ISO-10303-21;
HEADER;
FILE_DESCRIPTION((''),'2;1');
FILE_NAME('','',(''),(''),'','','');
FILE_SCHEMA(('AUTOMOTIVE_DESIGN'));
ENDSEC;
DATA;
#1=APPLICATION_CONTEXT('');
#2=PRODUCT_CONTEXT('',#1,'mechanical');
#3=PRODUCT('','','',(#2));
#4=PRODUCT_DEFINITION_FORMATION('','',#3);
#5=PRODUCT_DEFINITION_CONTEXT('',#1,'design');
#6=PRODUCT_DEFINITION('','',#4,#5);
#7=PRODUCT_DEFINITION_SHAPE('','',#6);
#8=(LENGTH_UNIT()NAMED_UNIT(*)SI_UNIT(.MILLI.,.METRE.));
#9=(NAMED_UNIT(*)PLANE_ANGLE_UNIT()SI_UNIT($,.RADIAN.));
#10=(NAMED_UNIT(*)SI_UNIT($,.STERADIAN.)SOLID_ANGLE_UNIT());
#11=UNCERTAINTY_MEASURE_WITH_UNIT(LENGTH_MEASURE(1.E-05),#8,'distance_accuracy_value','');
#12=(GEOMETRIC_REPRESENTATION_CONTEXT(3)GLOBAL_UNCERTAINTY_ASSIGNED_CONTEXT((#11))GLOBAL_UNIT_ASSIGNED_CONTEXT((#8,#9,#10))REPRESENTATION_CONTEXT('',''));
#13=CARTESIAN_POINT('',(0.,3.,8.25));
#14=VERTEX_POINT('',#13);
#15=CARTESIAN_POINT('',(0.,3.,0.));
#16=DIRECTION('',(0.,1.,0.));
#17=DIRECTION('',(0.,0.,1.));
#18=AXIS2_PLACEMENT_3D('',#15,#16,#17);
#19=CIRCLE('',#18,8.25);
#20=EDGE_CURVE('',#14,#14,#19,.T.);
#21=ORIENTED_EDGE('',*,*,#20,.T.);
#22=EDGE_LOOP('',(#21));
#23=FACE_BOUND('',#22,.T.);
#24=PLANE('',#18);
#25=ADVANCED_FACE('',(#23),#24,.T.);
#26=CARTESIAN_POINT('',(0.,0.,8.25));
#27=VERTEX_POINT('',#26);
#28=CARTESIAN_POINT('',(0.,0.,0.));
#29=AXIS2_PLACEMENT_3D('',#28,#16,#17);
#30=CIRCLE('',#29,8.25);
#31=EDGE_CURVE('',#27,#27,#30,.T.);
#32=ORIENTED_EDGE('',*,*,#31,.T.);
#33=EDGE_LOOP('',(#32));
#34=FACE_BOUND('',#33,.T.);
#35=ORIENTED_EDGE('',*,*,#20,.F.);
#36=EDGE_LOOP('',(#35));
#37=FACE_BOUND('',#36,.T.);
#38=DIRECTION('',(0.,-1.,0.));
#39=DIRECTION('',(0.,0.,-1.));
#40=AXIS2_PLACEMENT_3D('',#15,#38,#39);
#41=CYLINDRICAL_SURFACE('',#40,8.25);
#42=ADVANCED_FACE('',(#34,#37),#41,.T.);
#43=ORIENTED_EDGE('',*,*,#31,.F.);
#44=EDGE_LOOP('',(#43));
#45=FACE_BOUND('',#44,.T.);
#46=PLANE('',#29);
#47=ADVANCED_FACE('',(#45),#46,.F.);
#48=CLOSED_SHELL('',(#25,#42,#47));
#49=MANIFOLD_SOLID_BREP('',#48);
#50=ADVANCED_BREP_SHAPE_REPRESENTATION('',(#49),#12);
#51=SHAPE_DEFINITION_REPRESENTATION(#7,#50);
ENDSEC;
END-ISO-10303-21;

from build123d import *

# Parameters (mm, degrees)
SKETCH_1_R      = 8.25
EXTRUDE_1_DEPTH = 3


with BuildPart() as part:
    # 草图1 → 凸台-拉伸1 (new body)
    with BuildSketch(Plane(origin=(0, 0, 0), x_dir=(1, 0, 0), z_dir=(0, 1, 0))):
        Circle(SKETCH_1_R)
    extrude(amount=EXTRUDE_1_DEPTH)


solid = part.part
